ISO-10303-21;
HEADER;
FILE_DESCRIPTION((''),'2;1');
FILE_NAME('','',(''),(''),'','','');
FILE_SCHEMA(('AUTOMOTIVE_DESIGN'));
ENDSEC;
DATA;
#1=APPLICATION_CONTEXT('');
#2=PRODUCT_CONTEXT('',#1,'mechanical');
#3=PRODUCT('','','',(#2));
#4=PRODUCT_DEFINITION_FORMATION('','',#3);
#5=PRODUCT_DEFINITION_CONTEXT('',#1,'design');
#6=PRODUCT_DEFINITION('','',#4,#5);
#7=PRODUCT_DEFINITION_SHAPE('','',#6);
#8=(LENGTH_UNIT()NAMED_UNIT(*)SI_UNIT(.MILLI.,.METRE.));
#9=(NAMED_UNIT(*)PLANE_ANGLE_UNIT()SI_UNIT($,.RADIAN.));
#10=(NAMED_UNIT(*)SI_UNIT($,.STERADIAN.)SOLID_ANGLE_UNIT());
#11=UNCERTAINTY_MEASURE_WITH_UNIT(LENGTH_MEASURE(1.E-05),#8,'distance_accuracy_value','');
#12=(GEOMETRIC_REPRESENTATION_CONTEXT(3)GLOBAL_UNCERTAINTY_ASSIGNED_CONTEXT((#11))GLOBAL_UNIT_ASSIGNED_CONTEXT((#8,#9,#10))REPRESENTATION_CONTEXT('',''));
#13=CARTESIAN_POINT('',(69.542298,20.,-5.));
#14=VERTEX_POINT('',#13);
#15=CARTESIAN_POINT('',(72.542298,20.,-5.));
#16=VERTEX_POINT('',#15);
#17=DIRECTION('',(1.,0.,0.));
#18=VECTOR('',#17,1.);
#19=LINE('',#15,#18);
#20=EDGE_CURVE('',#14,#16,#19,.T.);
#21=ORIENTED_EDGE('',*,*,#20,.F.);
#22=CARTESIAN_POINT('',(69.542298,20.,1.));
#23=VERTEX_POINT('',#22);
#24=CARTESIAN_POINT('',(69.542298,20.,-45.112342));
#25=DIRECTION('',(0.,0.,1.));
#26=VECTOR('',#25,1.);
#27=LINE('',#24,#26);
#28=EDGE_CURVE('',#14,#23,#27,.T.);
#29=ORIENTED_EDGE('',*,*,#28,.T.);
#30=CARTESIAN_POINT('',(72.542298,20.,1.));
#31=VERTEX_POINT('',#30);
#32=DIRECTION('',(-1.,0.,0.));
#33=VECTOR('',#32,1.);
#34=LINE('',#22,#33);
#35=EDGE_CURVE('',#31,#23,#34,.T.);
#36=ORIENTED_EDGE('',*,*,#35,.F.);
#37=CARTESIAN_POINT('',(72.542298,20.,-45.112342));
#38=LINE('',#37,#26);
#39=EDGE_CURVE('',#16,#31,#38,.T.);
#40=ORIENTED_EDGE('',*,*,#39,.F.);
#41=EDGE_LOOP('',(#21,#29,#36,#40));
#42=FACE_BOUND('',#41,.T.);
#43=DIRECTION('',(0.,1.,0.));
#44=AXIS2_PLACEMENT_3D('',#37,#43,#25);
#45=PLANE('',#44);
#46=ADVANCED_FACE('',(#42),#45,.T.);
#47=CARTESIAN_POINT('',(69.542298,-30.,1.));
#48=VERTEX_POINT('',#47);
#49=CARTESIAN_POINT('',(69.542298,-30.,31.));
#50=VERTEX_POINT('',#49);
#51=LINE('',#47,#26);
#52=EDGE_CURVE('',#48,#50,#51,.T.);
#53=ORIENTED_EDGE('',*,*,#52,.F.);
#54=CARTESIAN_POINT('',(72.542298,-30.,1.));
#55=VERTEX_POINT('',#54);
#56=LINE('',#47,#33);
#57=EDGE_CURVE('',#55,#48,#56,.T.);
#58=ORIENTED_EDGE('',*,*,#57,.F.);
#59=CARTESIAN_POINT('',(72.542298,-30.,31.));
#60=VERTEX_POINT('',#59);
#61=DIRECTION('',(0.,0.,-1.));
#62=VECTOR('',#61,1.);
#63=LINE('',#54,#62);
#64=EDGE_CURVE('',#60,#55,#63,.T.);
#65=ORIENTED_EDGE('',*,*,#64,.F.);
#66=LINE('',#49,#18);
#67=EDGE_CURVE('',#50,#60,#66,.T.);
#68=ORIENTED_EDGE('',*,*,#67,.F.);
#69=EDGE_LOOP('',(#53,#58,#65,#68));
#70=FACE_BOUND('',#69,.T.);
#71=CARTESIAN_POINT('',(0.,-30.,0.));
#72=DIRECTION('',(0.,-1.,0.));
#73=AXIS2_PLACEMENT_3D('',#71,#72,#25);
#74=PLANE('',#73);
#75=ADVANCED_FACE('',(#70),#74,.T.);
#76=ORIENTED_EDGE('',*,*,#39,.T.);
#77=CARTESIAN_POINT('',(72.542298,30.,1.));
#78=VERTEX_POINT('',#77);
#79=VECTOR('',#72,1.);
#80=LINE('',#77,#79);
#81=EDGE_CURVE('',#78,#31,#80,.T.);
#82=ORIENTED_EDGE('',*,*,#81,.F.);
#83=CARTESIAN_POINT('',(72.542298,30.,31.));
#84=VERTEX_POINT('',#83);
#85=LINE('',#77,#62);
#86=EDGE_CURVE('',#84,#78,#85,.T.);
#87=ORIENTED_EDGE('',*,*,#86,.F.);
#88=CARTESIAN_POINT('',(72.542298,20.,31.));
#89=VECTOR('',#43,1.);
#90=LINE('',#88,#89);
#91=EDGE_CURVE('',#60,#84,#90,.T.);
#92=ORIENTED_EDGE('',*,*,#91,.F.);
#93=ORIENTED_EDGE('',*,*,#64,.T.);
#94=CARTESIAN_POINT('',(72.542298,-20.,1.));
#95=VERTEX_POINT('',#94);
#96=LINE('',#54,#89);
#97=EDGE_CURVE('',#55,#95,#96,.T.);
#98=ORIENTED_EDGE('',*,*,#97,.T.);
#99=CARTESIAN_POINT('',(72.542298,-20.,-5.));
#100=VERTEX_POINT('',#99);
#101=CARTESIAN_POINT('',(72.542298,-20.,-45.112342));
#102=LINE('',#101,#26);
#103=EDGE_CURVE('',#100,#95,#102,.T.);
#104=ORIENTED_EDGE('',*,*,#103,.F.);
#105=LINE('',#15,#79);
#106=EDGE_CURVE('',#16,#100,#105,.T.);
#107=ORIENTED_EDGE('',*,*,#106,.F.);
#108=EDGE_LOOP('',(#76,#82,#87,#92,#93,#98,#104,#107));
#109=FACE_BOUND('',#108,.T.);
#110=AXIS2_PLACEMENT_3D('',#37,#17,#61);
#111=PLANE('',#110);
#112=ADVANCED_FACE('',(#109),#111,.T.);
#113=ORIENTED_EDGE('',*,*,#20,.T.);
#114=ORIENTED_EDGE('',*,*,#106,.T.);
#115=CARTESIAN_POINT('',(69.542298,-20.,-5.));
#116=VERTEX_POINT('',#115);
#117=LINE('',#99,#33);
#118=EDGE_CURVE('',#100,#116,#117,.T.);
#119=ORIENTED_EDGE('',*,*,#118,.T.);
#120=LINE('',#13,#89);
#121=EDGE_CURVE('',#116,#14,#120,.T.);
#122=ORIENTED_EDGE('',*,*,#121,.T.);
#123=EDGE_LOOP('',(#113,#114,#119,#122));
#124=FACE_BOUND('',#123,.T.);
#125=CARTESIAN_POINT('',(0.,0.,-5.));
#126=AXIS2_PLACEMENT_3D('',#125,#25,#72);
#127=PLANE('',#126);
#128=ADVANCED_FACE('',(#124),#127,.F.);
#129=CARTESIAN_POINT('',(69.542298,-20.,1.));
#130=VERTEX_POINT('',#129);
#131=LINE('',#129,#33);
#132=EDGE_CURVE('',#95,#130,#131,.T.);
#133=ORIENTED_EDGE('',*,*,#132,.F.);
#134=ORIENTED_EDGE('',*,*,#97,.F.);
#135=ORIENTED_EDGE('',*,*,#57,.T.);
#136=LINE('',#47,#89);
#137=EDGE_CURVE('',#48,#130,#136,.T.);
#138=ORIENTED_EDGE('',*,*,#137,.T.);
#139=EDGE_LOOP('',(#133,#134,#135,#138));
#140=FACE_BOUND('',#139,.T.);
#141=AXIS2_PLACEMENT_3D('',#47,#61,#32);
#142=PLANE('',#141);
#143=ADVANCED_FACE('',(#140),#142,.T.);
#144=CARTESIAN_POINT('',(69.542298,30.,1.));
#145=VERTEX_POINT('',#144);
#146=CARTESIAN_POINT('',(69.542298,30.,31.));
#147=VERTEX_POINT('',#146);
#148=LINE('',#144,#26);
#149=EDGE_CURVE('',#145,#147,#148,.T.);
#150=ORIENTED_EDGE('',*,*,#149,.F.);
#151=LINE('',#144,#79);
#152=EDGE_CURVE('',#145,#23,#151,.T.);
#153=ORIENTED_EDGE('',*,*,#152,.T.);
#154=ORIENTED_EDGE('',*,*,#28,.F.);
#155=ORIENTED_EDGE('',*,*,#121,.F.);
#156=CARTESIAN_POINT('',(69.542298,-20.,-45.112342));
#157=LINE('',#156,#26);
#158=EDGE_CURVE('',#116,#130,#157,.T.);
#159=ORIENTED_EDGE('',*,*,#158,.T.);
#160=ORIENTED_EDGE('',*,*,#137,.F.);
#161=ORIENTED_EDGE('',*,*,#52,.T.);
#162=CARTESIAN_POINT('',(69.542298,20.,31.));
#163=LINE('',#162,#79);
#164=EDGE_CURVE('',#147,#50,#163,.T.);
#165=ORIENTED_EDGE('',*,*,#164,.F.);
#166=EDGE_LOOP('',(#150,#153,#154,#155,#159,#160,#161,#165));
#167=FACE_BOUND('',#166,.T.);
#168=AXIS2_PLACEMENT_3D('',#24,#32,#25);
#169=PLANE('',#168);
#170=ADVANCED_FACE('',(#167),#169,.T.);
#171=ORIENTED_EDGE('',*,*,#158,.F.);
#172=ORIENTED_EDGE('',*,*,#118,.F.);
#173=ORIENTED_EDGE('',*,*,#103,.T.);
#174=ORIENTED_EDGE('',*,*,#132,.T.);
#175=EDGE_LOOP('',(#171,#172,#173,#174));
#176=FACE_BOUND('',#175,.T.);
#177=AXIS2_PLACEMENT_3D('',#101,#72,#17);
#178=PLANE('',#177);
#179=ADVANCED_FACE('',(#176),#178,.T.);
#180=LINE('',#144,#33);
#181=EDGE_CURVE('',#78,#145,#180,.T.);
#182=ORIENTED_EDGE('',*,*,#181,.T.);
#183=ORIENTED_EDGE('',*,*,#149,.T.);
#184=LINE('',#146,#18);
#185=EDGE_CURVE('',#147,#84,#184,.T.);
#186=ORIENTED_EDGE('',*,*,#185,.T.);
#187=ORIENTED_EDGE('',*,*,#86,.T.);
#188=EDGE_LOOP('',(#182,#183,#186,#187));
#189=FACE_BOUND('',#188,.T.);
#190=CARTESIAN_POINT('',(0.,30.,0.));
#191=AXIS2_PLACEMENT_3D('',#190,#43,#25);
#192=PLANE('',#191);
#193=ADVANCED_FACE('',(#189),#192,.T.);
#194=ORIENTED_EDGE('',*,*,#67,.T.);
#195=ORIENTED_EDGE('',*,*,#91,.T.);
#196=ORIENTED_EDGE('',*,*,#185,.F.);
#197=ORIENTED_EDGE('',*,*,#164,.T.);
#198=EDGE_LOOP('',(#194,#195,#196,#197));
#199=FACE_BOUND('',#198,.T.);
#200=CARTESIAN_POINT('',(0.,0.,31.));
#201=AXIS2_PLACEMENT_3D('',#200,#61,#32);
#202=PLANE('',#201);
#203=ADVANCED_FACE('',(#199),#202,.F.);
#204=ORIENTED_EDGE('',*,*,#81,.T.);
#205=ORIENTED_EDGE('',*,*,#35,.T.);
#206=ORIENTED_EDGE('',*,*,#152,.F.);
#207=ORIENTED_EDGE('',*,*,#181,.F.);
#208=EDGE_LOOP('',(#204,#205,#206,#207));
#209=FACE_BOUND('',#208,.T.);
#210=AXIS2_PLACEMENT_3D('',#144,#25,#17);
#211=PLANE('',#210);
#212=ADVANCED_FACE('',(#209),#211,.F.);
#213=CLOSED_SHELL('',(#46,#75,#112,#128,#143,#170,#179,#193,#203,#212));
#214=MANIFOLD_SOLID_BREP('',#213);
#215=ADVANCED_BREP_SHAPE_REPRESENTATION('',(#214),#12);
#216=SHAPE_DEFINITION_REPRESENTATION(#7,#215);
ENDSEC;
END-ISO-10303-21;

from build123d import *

# Parameters (mm, degrees)
ESTRUSIONE_ESTRUSIONE1_DEPTH      = 30
ESTRUSIONE_ESTRUSIONE1_DEPTH_BACK = 6
SCHIZZO1_W                        = 3
SCHIZZO1_H                        = 40
SCHIZZO2_W                        = 3
SCHIZZO2_H                        = 30
ESTRUSIONE_ESTRUSIONE2_DEPTH      = 10


with BuildPart() as part:
    # Schizzo1 → Estrusione-Estrusione1 (new, two sides: drawn at the far end of the back side and taken through both)
    with BuildSketch(Plane.XY.offset(1).offset(-ESTRUSIONE_ESTRUSIONE1_DEPTH_BACK)):
        with Locations((71.042298103, 0)):
            Rectangle(SCHIZZO1_W, SCHIZZO1_H)
    extrude(amount=ESTRUSIONE_ESTRUSIONE1_DEPTH + ESTRUSIONE_ESTRUSIONE1_DEPTH_BACK)

    # Schizzo2 → Estrusione-Estrusione2 (add)
    with BuildSketch(Plane(origin=(0, 20, 0), x_dir=(1, 0, 0), z_dir=(0, 1, 0))):
        with Locations((71.042298103, -16)):
            Rectangle(SCHIZZO2_W, SCHIZZO2_H)
    estrusione_estrusione2 = extrude(amount=ESTRUSIONE_ESTRUSIONE2_DEPTH)

    # Specchia1: Estrusione-Estrusione2 across plane
    add(estrusione_estrusione2.mirror(Plane.ZX))


solid = part.part
